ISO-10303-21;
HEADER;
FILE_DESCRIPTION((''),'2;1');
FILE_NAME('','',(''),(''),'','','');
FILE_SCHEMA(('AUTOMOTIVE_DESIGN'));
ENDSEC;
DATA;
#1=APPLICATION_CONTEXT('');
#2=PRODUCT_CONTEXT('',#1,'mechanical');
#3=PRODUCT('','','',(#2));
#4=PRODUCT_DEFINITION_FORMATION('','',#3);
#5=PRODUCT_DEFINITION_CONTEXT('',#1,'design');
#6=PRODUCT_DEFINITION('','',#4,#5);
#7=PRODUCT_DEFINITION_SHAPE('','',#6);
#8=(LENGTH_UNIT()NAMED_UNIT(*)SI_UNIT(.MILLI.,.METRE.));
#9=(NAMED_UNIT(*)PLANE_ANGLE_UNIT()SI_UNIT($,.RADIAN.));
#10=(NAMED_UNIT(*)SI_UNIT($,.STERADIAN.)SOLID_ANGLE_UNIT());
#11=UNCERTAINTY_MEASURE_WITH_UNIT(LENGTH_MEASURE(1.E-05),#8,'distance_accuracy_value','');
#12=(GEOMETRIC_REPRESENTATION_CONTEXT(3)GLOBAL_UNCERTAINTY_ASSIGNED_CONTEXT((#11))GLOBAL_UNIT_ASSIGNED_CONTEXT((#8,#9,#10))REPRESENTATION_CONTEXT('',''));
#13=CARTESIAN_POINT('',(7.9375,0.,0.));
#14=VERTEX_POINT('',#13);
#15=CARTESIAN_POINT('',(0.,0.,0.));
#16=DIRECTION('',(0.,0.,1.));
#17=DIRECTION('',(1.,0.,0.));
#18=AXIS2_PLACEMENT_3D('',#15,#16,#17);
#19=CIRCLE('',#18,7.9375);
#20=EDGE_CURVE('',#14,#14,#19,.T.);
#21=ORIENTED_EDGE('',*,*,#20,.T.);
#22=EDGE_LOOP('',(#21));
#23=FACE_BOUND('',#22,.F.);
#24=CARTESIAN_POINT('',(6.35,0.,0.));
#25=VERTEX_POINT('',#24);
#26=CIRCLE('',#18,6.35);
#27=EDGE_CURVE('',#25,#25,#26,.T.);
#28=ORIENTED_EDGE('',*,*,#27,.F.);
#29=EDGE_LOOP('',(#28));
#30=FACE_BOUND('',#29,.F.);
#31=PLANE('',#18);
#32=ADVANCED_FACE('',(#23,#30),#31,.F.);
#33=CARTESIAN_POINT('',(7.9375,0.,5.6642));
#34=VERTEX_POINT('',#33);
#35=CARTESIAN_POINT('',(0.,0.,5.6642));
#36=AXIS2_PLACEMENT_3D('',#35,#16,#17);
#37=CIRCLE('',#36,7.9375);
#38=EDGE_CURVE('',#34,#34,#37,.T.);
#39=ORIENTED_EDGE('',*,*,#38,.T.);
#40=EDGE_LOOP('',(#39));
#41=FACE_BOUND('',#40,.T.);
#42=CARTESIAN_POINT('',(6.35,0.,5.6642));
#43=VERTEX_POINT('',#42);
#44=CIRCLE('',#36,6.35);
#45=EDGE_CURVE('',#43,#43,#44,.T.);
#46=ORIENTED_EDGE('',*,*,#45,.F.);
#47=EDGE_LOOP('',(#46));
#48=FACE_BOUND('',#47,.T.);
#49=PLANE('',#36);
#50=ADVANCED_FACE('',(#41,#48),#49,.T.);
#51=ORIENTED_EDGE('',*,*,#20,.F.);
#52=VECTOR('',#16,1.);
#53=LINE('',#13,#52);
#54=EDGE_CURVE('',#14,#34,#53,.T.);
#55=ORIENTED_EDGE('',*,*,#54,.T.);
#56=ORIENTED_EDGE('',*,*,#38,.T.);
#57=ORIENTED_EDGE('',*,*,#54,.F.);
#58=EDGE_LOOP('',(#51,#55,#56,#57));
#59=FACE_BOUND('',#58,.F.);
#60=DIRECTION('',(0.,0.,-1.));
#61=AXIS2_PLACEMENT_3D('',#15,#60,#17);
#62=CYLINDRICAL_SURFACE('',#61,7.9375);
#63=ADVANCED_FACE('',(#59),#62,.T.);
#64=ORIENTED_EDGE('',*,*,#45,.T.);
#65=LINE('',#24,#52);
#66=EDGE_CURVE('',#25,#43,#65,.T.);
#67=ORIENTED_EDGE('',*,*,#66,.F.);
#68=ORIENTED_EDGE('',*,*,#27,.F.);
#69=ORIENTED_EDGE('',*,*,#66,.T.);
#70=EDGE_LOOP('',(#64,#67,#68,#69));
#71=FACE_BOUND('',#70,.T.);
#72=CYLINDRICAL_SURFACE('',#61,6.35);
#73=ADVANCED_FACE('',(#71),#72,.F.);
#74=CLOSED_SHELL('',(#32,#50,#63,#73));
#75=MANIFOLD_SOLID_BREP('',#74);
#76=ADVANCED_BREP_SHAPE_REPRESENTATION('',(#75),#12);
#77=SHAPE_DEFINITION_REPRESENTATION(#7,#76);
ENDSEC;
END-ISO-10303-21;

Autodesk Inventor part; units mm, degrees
ref_plane "YZ Plane" through (0, 0, 0) normal (1, 0, 0) x (0, 1, 0)
ref_plane "XZ Plane" through (0, 0, 0) normal (0, 1, 0) x (-1, 0, 0)
ref_plane "XY Plane" through (0, 0, 0) normal (0, 0, 1) x (1, 0, 0)
sketch "Sketch1" plane through (0, 0, 0) normal (0, 0, 1) x (1, 0, 0)
  circle A0 centre (0, 0) radius 6.35
  circle A1 centre (0, 0) radius 7.9375
  dimension "d0" = 12.7
  dimension "d1" = 15.875
extrude "Extrusion1" add sketch "Sketch1" along normal blind 5.6642
properties part number "Aluminum Shaft Spacer P1" material "Aluminum-6061"
